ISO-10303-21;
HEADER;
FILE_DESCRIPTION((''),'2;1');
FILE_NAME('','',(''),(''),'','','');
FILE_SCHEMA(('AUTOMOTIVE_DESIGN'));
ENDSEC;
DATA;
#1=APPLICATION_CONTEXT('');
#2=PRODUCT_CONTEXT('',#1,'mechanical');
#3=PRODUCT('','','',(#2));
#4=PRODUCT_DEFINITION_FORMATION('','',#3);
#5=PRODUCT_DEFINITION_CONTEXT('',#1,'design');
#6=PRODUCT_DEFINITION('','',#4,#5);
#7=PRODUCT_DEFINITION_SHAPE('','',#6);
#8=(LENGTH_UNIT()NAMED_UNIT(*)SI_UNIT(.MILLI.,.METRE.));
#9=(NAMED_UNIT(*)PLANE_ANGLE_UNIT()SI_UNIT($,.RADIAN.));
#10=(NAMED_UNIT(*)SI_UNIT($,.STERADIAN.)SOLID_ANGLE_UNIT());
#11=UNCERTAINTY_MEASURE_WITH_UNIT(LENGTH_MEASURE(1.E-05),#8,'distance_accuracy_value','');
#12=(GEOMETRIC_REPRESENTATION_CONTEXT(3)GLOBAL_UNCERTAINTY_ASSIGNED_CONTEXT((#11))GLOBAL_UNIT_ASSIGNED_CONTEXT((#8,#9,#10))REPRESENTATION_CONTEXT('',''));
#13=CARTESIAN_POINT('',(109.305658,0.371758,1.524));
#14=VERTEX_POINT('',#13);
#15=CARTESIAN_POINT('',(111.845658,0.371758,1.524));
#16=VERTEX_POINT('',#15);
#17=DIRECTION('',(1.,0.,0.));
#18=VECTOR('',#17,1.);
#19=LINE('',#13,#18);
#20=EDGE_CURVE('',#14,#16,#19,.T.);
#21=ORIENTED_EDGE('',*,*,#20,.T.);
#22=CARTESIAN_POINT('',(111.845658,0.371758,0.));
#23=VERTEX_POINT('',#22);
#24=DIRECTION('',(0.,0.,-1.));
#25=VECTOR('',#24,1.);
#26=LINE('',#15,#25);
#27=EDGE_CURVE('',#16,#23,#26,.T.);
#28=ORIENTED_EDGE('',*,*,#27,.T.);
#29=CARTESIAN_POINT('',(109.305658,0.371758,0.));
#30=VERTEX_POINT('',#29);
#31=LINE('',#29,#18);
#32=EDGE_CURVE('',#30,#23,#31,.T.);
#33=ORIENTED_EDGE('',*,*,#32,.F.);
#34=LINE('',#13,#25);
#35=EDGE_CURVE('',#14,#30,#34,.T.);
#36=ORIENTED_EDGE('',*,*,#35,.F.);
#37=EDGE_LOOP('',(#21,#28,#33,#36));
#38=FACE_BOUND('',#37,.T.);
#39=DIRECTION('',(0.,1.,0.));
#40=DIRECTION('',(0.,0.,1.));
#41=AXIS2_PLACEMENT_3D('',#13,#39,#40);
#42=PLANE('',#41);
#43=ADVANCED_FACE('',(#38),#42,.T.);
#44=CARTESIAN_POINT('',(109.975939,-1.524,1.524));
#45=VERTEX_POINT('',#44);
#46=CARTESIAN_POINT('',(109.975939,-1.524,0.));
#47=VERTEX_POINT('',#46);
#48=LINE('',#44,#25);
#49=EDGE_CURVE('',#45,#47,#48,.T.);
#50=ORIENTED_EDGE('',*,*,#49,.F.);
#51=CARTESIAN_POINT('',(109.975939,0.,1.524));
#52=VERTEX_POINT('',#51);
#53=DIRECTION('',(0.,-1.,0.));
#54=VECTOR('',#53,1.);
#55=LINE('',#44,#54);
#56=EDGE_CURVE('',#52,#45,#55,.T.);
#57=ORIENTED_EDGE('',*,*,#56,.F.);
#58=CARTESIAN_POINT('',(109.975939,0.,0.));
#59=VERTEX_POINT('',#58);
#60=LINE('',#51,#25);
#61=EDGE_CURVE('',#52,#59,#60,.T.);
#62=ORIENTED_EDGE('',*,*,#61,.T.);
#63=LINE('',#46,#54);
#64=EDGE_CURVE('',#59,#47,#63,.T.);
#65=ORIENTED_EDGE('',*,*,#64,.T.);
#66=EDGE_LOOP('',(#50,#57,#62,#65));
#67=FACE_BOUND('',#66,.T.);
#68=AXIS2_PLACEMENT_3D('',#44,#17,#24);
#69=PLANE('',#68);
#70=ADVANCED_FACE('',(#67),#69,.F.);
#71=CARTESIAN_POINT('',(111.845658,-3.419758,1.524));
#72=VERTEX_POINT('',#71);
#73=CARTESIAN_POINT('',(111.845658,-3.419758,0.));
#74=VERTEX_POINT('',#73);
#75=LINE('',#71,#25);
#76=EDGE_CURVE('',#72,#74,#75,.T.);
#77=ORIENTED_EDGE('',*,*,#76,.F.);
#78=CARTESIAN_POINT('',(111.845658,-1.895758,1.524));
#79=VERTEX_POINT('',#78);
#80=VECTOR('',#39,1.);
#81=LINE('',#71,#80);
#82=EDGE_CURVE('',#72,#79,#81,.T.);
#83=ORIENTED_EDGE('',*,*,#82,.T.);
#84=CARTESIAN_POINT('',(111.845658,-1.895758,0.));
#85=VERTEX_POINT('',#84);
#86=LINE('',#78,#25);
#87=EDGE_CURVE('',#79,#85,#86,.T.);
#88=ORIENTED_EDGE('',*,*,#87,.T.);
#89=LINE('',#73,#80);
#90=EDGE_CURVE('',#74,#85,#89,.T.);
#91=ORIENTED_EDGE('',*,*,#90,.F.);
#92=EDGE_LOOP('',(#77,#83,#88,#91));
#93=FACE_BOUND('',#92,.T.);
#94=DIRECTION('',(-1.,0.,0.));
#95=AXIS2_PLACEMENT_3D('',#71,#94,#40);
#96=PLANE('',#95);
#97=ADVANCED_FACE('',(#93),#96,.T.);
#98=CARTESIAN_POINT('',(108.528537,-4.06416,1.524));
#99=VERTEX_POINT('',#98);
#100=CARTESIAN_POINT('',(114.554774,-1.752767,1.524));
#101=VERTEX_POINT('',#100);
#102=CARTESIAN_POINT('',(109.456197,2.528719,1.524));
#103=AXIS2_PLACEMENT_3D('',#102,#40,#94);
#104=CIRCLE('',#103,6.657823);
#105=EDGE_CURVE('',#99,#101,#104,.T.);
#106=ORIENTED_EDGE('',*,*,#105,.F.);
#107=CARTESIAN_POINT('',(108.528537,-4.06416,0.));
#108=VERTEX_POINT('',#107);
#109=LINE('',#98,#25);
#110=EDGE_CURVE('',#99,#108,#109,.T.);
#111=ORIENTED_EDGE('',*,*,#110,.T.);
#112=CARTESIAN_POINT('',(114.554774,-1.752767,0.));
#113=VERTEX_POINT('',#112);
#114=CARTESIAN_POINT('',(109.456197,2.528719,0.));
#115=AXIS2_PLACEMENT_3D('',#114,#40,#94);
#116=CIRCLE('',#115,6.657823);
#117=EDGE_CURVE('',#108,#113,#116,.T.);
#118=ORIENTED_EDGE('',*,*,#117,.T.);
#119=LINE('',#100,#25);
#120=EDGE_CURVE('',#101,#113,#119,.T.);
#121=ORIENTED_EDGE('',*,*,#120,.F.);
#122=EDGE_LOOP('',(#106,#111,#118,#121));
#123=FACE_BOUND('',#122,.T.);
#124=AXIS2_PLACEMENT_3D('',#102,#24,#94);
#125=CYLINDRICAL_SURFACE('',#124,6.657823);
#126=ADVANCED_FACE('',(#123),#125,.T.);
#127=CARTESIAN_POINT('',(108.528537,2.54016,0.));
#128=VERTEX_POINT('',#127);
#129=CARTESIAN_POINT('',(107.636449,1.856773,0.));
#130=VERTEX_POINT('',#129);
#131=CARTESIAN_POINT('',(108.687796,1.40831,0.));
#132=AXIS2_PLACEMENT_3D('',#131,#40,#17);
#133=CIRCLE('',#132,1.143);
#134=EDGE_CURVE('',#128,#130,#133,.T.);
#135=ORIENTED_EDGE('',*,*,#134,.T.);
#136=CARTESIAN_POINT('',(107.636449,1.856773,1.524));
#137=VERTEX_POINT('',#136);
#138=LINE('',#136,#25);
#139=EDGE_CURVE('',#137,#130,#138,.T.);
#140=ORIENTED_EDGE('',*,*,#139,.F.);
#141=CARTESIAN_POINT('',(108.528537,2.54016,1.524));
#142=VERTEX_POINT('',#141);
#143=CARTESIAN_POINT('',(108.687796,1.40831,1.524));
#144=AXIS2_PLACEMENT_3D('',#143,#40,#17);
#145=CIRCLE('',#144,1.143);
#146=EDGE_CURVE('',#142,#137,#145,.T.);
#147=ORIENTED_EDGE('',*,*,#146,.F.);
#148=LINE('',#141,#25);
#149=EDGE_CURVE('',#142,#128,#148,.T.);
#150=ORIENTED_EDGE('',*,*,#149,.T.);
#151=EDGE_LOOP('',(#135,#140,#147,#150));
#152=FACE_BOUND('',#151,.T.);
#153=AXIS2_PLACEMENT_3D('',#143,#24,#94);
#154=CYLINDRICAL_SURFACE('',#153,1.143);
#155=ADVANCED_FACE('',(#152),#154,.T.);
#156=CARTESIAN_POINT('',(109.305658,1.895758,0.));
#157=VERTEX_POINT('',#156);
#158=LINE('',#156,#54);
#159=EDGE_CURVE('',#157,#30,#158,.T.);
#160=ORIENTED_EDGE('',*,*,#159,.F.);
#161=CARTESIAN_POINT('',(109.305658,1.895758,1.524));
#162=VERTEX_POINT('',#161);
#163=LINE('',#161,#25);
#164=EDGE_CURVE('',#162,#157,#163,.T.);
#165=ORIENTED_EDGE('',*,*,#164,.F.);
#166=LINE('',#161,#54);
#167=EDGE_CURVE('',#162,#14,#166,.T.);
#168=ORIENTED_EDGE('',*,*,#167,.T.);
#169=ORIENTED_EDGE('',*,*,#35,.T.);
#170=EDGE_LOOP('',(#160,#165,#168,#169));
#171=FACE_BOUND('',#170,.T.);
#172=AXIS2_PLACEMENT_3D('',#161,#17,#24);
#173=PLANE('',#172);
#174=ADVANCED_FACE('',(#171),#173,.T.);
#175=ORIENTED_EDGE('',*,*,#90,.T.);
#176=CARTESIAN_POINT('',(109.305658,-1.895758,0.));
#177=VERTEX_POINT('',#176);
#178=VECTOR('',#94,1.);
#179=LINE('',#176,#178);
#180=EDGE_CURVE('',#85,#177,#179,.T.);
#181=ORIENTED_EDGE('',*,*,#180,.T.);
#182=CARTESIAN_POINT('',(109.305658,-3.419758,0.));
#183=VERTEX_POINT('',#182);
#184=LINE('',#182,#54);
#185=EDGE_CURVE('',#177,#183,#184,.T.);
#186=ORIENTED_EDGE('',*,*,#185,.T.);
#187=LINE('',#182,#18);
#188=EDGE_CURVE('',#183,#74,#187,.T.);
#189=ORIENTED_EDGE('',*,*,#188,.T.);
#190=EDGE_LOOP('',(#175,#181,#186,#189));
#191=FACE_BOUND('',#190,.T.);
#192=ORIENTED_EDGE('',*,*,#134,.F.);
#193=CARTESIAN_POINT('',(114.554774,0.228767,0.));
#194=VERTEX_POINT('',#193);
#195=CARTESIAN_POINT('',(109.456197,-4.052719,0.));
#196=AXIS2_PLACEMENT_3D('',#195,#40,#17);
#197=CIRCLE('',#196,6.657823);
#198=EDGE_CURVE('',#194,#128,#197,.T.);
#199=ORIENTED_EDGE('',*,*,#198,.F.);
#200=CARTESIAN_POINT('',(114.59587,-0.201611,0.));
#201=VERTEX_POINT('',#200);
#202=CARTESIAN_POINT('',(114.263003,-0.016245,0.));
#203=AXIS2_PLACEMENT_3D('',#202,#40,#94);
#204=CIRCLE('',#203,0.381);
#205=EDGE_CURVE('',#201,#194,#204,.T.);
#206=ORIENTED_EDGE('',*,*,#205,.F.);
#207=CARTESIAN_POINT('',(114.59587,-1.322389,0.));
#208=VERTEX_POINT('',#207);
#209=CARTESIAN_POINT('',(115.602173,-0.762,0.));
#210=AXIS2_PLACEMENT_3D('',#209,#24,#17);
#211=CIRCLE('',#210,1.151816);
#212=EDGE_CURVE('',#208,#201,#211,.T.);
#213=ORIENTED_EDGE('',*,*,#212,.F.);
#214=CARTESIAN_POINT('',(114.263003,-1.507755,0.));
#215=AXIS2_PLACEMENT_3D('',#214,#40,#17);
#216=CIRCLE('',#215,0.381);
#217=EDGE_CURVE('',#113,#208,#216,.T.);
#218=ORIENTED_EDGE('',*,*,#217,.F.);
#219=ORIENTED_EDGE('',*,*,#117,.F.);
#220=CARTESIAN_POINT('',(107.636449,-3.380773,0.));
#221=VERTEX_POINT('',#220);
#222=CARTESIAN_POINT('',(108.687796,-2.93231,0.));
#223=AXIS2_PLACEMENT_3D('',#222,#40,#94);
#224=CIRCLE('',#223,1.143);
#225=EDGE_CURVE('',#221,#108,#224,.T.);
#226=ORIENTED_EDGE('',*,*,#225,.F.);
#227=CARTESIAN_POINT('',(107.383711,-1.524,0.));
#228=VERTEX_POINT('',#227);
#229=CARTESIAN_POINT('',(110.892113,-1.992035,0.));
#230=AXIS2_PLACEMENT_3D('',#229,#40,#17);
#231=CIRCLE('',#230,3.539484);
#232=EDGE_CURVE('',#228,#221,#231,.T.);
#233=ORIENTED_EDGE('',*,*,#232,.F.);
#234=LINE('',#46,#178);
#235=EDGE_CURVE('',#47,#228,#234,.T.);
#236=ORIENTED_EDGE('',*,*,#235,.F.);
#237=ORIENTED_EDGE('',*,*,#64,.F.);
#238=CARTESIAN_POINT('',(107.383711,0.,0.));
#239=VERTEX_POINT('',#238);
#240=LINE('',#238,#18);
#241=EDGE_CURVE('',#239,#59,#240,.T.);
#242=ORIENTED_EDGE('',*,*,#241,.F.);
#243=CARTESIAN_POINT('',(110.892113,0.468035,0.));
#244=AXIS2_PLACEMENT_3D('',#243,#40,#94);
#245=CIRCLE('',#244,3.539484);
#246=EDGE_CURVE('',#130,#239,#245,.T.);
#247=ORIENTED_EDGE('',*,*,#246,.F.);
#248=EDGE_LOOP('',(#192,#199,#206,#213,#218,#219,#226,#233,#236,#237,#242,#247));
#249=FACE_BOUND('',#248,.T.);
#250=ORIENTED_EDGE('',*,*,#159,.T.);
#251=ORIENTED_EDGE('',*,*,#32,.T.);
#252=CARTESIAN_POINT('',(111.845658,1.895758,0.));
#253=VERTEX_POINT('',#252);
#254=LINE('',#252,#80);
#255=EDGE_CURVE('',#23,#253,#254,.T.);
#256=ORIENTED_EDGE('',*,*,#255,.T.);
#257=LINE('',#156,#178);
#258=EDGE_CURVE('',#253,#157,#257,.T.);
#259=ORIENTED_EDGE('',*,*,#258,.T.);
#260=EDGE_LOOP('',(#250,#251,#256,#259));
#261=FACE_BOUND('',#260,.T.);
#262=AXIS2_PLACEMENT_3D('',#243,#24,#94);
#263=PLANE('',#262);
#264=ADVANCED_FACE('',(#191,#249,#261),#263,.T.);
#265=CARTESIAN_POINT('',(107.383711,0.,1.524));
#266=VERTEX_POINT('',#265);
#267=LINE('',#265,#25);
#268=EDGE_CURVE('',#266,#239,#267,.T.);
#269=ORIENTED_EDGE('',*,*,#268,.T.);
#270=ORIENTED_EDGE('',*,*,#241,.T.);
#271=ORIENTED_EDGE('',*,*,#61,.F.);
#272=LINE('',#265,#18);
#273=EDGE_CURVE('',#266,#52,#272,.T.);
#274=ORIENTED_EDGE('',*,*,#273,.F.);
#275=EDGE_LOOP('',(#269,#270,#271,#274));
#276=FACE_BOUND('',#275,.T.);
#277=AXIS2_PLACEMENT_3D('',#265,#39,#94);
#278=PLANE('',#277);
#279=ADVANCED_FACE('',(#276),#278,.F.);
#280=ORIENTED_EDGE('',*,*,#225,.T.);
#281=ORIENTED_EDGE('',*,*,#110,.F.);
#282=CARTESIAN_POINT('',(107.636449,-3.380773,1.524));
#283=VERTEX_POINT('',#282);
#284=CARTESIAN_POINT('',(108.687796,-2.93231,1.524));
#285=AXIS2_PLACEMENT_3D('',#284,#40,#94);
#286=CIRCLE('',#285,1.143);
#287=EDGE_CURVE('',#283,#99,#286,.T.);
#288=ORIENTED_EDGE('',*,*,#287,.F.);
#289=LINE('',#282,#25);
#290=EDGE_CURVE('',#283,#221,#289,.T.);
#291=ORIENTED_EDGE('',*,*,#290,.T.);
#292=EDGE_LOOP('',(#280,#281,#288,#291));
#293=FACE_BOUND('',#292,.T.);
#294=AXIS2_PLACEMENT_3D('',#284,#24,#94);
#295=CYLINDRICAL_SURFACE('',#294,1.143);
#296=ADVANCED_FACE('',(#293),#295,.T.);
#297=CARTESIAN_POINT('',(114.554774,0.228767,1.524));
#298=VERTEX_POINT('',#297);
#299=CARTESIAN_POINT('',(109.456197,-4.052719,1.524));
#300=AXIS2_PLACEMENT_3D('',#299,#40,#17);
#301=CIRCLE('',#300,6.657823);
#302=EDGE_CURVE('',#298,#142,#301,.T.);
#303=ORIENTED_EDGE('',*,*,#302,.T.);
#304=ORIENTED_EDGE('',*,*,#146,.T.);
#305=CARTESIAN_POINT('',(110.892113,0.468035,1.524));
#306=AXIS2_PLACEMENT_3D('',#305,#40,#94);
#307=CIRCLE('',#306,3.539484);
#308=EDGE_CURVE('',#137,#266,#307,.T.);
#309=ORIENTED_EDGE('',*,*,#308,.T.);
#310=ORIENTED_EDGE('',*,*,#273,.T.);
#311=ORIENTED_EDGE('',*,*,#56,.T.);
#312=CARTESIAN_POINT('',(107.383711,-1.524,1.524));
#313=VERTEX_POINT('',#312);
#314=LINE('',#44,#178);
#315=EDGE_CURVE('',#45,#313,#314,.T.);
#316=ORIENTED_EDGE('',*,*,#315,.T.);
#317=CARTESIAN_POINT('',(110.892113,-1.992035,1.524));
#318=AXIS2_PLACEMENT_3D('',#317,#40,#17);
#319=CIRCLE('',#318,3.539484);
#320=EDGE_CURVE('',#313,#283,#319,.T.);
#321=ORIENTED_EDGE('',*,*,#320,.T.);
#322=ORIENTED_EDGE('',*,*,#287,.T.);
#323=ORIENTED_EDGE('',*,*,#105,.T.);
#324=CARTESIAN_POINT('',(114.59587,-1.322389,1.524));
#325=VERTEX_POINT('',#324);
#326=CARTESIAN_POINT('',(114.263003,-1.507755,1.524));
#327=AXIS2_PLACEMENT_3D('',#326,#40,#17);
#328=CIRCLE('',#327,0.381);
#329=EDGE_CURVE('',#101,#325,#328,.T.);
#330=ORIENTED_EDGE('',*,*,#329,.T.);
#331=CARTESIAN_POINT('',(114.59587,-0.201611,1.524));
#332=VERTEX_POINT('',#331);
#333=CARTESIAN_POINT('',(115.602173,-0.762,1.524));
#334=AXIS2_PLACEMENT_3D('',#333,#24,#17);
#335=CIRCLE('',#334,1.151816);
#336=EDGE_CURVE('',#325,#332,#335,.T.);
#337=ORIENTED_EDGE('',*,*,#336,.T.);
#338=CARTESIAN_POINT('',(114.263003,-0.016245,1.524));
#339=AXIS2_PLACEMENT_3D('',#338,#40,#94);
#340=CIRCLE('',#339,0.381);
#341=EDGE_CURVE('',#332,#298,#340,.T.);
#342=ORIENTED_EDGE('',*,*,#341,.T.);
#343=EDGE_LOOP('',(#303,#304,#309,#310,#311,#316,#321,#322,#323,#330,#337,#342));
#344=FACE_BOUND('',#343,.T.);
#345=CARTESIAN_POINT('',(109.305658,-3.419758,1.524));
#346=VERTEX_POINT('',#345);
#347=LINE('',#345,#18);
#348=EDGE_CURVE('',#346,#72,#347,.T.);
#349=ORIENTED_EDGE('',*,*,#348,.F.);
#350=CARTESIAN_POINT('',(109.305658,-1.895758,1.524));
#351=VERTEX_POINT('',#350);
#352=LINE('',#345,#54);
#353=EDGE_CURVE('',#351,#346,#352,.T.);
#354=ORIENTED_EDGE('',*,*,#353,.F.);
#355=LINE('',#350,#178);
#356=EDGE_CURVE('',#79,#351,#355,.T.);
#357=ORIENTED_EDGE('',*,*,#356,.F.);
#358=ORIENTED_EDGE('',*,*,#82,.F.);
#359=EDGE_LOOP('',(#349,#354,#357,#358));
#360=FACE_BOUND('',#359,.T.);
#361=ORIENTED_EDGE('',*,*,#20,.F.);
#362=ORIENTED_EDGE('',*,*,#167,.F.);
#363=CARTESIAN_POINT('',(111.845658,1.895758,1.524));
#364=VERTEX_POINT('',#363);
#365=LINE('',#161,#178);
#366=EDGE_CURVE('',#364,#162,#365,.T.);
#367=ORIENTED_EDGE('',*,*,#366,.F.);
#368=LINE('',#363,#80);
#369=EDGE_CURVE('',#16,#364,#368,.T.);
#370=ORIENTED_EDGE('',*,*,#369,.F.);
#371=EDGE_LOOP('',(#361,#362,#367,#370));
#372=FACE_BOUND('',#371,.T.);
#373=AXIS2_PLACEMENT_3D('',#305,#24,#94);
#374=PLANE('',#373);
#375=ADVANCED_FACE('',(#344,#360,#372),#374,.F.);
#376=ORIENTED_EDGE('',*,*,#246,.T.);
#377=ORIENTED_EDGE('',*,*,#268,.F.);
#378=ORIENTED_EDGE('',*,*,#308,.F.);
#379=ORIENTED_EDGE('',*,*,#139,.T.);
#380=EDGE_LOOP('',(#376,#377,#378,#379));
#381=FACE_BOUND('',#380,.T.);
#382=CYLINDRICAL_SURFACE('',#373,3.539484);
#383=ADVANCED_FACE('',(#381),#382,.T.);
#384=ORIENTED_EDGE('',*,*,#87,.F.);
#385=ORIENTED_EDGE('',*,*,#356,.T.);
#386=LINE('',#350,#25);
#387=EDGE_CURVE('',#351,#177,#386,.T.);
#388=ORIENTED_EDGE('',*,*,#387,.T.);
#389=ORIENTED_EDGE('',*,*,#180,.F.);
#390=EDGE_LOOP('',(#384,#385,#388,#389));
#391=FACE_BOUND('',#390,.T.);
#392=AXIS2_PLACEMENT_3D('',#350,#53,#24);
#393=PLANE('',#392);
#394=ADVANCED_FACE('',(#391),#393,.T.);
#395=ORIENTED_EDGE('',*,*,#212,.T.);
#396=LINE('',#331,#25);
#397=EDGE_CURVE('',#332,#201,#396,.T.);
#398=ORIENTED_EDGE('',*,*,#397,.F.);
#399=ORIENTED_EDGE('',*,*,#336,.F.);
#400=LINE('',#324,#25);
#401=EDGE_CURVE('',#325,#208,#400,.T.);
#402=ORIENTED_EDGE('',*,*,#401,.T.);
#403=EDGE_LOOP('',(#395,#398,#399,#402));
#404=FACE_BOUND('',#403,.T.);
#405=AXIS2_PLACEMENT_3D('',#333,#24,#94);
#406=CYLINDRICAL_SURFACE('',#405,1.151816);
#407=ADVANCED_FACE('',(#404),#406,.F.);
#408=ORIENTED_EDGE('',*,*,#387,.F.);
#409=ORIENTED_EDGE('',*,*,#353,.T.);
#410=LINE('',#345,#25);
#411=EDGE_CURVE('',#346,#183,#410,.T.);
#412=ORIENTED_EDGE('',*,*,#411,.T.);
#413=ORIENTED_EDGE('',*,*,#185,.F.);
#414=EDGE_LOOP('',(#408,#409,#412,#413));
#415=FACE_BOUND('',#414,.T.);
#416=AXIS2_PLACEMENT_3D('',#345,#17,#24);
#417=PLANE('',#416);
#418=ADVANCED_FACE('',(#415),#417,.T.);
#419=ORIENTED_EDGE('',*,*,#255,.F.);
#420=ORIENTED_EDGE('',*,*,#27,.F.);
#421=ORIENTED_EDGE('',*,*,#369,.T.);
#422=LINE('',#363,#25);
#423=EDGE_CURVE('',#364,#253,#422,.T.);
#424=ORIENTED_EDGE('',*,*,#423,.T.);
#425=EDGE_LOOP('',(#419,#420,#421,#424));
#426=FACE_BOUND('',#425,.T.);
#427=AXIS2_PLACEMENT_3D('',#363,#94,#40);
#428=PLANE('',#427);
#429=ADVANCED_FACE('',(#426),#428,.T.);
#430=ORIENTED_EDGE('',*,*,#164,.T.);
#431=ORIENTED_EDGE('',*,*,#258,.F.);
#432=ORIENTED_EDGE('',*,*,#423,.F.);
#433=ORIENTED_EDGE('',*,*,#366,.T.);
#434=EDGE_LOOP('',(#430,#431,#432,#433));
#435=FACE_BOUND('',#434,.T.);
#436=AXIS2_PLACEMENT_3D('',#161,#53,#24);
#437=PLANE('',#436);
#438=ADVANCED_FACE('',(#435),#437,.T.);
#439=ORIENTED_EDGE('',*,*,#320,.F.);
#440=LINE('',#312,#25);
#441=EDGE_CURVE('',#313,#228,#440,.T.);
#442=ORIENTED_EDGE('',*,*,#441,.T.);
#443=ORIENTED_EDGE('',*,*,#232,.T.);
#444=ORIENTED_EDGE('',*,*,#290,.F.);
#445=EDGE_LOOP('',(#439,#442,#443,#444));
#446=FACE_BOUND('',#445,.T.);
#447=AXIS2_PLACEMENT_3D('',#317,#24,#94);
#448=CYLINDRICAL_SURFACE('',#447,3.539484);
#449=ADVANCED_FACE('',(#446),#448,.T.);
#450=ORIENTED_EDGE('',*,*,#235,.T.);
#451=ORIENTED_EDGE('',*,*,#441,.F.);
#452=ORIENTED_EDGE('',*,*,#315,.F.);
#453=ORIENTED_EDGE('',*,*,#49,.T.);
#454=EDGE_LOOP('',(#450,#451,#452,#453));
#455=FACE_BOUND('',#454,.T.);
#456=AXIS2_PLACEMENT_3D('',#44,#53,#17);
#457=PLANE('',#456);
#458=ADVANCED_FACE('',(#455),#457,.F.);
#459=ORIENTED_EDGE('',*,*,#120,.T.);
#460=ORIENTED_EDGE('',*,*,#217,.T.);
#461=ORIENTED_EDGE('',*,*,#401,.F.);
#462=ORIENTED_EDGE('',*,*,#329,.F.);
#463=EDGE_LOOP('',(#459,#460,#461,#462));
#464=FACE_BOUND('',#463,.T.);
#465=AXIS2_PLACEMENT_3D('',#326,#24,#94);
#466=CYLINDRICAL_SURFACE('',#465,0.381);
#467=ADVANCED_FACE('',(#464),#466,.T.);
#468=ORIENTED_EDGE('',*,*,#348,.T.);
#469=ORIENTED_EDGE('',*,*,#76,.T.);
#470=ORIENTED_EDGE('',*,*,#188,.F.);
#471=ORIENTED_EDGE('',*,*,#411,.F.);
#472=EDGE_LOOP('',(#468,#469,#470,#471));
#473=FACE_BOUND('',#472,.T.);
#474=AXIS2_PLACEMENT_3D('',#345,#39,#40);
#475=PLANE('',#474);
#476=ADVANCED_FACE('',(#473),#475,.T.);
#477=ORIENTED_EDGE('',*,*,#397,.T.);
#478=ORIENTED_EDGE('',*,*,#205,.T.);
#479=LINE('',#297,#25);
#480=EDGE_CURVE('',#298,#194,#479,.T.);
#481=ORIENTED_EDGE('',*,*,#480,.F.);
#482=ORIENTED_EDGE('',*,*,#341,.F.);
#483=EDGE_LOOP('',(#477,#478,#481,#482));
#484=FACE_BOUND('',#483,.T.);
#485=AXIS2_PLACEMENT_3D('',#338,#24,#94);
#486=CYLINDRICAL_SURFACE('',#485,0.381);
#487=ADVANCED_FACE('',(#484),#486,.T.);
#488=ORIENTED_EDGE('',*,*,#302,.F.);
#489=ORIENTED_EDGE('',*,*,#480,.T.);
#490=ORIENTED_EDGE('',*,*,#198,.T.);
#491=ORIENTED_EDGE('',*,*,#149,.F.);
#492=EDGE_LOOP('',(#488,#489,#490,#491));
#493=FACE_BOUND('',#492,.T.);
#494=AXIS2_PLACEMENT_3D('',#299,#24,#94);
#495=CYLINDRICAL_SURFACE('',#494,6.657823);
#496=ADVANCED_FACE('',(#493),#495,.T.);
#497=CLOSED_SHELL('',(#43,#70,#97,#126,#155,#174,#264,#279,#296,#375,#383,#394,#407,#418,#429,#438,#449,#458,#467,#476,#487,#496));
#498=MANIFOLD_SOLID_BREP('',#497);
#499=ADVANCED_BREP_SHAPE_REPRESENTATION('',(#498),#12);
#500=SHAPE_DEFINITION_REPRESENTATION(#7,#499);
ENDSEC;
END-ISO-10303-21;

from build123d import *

# Parameters (mm, degrees)
SKETCH1_W           = 2.54
SKETCH1_H           = 1.524
BOSS_EXTRUDE1_DEPTH = 1.524


with BuildPart() as part:
    # Sketch1 → Boss-Extrude1 (new body)
    with BuildSketch(Plane.XY):
        with BuildLine():
            Line((109.975938606, -1.524), (107.383711033, -1.524))
            ThreePointArc((107.383711033, -1.524), (107.384970604, -2.46941588), (107.636449137, -3.380772737))
            ThreePointArc((107.636449137, -3.380772737), (107.992708895, -3.839670187), (108.528537329, -4.064160218))
            ThreePointArc((108.528537329, -4.064160218), (111.840473047, -3.687536777), (114.554773872, -1.752766908))
            ThreePointArc((114.554773872, -1.752766908), (114.642277966, -1.543971247), (114.595869935, -1.322388556))
            ThreePointArc((114.595869935, -1.322388556), (114.450356485, -0.762), (114.595869935, -0.201611444))
            ThreePointArc((114.595869935, -0.201611444), (114.642277966, 0.019971247), (114.554773872, 0.228766908))
            ThreePointArc((114.554773872, 0.228766908), (111.840473047, 2.163536777), (108.528537329, 2.540160218))
            ThreePointArc((108.528537329, 2.540160218), (107.992708895, 2.315670187), (107.636449137, 1.856772737))
            ThreePointArc((107.636449137, 1.856772737), (107.384970604, 0.94541588), (107.383711033, 0))
            Line((107.383711033, 0), (109.975938606, 0))
            Line((109.975938606, 0), (109.975938606, -1.524))
        make_face()
        with Locations((110.575658384, 1.133758123)):
            Rectangle(SKETCH1_W, SKETCH1_H, mode=Mode.SUBTRACT)
        with Locations((110.575658384, -2.657758123)):
            Rectangle(SKETCH1_W, SKETCH1_H, mode=Mode.SUBTRACT)
    extrude(amount=BOSS_EXTRUDE1_DEPTH)


solid = part.part
